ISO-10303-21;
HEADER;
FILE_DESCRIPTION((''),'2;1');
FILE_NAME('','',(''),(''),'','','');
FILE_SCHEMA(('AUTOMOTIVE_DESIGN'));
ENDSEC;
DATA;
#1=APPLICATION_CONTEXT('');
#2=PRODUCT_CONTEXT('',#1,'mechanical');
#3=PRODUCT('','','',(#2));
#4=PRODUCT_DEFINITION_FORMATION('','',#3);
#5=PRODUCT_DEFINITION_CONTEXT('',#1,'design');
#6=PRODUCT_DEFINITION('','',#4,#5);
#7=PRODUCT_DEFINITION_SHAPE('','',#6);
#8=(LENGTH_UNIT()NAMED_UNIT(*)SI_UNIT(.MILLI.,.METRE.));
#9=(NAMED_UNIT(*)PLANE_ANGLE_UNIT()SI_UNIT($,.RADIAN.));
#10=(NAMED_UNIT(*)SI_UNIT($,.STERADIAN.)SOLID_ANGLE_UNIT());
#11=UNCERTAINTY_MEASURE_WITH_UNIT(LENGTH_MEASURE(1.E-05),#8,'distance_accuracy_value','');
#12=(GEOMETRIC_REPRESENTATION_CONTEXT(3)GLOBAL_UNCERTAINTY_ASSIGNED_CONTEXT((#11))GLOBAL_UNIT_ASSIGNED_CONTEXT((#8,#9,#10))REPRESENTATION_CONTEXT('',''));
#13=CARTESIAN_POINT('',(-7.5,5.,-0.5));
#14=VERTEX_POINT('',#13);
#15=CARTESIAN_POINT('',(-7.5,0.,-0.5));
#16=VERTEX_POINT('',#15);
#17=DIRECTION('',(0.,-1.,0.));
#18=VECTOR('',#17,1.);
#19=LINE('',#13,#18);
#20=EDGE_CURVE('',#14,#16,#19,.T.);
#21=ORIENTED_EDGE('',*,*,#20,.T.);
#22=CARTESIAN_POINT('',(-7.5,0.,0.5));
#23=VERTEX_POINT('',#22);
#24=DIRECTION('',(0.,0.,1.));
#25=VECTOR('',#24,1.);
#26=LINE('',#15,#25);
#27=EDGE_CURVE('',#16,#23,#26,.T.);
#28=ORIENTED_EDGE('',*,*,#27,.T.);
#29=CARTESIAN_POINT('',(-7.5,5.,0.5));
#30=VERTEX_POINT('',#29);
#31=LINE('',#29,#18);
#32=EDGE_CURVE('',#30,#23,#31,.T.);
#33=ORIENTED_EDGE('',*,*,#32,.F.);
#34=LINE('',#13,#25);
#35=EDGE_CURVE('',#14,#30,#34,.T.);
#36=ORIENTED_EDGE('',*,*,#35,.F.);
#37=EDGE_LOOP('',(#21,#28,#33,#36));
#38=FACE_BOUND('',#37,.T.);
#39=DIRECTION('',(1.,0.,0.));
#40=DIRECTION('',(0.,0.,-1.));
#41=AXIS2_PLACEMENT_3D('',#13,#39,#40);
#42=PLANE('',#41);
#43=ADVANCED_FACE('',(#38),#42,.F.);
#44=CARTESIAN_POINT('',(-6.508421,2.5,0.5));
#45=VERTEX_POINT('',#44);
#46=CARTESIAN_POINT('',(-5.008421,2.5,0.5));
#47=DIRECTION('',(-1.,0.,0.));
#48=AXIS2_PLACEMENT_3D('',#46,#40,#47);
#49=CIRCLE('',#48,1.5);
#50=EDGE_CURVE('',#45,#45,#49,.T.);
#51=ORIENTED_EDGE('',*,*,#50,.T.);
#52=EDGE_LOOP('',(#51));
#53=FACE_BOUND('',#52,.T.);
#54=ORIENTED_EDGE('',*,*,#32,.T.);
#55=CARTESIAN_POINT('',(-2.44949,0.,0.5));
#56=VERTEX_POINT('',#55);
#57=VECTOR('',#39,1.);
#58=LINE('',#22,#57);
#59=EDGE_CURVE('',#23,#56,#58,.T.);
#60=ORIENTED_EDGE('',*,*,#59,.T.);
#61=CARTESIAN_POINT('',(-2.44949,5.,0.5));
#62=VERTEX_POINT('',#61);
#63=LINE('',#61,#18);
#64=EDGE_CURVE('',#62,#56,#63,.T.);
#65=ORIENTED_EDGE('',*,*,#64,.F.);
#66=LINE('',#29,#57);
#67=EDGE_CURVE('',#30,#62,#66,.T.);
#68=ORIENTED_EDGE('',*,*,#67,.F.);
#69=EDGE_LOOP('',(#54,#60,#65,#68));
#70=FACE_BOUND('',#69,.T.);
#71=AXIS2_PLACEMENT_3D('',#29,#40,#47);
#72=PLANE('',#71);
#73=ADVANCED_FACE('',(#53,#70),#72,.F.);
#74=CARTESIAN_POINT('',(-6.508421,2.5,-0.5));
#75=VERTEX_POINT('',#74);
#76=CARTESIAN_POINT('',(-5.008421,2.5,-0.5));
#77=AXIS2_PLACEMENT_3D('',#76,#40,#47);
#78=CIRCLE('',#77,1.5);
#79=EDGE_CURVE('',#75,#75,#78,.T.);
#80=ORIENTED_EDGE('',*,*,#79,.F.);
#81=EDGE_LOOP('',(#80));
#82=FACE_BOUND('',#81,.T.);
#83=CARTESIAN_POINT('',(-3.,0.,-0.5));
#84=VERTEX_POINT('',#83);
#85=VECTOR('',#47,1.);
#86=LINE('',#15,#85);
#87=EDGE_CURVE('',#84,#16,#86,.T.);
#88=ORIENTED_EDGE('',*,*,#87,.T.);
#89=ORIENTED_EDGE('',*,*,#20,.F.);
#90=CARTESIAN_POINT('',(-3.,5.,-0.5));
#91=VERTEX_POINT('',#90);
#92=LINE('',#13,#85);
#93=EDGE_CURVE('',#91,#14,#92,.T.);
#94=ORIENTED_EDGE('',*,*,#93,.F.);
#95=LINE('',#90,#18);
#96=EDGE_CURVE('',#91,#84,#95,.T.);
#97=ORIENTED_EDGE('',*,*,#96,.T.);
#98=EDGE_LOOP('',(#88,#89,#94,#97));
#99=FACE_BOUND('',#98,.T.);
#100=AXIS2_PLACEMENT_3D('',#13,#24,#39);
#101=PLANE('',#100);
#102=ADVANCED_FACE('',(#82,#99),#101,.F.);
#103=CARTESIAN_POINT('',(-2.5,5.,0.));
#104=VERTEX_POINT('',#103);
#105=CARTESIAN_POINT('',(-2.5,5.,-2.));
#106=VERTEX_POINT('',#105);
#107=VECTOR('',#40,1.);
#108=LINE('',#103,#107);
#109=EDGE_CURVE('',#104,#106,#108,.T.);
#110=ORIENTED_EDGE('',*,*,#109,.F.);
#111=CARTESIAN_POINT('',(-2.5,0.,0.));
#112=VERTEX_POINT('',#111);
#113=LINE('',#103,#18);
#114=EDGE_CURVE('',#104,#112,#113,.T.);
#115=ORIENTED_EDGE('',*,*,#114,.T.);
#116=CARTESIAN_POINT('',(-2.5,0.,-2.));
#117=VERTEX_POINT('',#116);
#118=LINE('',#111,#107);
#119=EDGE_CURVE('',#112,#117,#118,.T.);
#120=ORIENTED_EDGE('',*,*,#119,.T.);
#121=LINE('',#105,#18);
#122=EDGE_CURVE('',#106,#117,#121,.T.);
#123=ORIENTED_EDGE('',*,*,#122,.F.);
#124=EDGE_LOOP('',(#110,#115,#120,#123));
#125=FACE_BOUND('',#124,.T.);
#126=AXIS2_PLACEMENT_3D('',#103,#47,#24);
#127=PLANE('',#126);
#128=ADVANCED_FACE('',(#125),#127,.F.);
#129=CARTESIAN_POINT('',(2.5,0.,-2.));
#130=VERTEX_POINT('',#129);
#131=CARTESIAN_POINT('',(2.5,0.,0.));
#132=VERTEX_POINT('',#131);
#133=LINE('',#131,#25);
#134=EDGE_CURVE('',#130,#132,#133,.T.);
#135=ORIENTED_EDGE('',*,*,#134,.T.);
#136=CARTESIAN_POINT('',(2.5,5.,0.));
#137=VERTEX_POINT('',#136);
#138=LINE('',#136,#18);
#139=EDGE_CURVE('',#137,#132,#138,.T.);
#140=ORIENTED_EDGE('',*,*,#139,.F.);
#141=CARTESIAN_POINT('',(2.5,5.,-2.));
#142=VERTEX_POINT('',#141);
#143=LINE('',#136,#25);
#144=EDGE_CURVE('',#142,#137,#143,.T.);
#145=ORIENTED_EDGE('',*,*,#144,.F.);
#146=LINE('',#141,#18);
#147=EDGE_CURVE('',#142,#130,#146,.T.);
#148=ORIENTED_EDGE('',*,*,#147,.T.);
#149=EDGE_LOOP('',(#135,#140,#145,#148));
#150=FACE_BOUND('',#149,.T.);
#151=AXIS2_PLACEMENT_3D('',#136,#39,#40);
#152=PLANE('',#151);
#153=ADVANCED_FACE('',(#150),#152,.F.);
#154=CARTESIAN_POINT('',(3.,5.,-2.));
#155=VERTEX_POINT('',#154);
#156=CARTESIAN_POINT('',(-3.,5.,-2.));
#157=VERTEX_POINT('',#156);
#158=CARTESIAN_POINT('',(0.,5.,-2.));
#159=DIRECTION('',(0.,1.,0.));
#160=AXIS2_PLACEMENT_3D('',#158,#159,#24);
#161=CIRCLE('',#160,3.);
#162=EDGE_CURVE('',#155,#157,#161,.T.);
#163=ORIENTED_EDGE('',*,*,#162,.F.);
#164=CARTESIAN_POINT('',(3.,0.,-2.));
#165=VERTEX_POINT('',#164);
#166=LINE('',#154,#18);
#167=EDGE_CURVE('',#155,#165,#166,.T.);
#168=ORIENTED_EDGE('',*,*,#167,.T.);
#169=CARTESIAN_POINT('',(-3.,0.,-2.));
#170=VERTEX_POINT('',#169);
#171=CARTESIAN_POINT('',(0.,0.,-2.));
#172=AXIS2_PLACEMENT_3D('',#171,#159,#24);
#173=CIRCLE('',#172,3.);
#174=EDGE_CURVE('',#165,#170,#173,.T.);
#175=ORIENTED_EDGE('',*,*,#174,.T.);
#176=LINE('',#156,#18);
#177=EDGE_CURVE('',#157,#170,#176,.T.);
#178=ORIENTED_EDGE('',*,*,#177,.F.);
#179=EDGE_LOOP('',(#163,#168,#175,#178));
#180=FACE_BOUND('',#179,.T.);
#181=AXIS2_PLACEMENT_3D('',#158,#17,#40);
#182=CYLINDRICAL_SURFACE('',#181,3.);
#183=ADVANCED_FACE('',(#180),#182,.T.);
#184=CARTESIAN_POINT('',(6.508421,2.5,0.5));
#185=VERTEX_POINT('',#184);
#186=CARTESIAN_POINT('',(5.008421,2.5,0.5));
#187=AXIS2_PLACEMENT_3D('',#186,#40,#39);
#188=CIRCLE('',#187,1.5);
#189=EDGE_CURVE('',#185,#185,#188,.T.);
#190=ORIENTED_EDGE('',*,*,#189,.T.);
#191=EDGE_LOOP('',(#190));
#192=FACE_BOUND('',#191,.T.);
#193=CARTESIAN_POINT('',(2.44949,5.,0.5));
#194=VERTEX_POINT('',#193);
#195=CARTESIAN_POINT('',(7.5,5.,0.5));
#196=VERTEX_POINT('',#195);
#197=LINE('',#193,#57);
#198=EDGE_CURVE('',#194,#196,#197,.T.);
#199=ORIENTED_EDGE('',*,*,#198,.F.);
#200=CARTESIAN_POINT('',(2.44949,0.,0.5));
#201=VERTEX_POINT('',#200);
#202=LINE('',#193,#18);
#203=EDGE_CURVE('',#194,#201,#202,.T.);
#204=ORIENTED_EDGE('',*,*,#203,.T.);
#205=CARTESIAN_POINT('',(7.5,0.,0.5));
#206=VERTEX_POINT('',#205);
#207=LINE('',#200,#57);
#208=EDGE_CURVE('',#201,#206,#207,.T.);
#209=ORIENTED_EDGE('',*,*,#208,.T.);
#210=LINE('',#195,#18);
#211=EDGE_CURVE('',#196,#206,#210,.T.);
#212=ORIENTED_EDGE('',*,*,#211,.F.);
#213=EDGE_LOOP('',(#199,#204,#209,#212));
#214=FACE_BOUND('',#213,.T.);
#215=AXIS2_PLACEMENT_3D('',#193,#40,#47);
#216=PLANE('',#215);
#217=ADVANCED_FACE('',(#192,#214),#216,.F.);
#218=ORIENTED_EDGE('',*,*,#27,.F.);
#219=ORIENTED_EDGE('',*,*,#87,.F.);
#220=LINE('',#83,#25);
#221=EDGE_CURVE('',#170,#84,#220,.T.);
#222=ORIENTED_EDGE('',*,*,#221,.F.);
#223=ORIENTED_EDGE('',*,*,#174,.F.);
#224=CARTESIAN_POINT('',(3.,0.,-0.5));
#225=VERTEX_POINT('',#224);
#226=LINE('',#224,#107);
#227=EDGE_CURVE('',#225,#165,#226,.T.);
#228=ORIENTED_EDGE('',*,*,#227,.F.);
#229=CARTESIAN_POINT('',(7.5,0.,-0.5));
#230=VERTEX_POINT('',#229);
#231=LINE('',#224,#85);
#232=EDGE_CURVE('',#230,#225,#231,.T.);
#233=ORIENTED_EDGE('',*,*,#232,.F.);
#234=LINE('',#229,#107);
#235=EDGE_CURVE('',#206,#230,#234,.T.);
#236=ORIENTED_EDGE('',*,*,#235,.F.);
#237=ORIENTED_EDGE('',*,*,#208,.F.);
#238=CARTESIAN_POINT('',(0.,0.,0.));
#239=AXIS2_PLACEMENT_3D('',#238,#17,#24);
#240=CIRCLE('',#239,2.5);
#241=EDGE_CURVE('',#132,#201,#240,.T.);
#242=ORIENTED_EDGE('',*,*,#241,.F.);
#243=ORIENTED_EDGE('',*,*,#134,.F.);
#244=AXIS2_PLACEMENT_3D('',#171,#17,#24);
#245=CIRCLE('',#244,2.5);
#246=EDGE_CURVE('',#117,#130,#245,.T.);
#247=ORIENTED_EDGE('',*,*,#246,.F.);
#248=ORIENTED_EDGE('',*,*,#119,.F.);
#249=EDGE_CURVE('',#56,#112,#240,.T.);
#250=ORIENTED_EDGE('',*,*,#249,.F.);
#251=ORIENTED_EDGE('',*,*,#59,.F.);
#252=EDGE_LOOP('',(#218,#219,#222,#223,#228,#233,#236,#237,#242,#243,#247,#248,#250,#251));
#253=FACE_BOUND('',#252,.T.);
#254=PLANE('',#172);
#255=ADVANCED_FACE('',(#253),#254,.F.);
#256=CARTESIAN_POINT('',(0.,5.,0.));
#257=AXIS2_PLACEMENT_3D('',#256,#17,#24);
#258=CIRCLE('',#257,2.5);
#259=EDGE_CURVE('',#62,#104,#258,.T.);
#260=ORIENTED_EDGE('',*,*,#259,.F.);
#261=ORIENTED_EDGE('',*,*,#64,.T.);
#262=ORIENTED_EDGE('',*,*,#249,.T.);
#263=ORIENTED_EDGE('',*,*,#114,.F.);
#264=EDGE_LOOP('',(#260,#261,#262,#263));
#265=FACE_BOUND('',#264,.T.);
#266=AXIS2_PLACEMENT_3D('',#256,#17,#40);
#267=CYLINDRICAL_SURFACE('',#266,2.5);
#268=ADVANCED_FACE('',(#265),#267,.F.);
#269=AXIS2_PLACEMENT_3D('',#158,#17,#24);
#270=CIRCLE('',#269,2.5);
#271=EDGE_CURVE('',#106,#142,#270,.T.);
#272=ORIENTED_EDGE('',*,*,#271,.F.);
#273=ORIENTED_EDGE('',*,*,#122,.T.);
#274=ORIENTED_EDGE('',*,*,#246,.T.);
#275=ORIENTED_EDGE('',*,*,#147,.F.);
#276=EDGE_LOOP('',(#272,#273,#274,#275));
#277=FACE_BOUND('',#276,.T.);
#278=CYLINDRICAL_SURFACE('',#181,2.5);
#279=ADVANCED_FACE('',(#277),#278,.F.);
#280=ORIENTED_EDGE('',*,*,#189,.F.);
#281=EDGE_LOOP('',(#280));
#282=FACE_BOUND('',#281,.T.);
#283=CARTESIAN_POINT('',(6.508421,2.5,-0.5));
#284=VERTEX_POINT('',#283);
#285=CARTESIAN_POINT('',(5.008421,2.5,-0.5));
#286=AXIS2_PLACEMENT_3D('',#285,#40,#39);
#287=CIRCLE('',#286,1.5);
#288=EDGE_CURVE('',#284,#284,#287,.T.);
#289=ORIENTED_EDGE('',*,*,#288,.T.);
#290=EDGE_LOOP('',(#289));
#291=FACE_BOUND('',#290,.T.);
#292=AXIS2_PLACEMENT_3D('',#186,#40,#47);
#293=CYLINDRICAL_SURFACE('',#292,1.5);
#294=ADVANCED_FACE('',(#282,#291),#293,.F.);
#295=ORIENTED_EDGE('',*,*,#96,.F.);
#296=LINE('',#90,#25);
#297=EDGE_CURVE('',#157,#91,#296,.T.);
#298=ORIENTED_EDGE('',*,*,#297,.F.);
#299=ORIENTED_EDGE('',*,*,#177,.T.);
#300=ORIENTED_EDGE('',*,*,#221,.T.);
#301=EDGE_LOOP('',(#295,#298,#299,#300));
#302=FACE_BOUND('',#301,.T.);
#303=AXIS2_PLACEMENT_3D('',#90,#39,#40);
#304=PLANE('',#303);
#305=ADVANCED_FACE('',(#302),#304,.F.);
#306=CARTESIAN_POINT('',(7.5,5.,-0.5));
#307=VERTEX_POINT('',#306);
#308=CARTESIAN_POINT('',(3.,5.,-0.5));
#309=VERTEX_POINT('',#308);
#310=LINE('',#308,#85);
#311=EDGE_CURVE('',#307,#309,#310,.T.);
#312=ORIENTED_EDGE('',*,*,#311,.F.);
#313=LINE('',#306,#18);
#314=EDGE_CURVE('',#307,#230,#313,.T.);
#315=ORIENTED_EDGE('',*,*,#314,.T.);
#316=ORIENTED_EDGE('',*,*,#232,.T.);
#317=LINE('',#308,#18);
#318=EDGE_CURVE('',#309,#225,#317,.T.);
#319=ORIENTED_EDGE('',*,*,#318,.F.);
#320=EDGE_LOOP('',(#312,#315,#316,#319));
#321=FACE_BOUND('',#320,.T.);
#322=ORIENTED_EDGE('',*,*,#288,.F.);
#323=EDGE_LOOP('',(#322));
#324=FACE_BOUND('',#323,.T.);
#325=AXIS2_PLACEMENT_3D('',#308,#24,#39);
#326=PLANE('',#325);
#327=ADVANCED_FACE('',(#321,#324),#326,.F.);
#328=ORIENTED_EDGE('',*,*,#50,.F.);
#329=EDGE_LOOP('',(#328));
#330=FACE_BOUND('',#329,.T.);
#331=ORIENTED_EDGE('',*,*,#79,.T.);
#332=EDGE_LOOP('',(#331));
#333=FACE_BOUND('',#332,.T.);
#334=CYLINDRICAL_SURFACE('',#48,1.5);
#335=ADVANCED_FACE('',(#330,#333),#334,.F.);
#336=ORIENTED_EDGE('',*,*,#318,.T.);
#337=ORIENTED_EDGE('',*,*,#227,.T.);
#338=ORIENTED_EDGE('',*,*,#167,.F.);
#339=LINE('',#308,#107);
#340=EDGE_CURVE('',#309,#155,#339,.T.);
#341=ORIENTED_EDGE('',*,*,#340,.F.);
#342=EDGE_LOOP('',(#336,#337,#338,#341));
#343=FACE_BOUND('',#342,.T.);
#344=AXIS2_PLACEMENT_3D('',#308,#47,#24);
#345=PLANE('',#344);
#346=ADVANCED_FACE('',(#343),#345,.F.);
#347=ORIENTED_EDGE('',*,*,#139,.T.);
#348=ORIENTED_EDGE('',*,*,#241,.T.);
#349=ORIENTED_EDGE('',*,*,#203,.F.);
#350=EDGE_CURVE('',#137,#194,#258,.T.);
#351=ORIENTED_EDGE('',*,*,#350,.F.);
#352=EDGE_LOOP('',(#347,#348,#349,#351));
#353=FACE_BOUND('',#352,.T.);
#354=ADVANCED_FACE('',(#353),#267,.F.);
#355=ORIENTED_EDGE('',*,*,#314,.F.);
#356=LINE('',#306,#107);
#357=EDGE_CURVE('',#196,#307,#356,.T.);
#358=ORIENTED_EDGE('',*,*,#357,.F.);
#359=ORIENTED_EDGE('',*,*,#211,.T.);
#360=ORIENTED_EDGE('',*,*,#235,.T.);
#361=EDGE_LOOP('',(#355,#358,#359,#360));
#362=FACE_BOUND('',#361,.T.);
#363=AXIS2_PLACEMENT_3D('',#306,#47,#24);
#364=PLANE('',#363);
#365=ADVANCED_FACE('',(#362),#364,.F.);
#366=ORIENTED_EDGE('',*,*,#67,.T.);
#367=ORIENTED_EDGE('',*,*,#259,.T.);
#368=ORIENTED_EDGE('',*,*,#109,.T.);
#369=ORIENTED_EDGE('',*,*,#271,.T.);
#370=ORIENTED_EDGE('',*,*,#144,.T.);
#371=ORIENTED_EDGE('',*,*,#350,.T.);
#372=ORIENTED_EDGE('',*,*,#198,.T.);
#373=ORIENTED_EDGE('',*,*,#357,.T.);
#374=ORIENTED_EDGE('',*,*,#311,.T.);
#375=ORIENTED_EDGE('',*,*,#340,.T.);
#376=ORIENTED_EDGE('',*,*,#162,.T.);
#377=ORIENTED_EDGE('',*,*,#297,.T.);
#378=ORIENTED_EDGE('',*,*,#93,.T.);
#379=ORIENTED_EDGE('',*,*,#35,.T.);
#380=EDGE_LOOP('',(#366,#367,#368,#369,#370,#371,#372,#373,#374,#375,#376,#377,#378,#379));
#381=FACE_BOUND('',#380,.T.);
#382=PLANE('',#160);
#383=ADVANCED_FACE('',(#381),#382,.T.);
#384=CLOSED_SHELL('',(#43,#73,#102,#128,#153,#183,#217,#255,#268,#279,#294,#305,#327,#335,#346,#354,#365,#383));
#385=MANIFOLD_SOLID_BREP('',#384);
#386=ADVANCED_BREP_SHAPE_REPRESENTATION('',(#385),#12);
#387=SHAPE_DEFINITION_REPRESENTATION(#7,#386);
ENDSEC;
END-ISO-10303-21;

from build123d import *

# Parameters (mm, degrees)
BOSS_EXTRUDE1_DEPTH = 5
SKETCH2_R           = 1.5
CUT_EXTRUDE1_DEPTH  = 11.07472084


with BuildPart() as part:
    # Sketch1 → Boss-Extrude1 (new body)
    with BuildSketch(Plane(origin=(0, 0, 0), x_dir=(1, 0, 0), z_dir=(0, 1, 0))):
        with BuildLine():
            Line((-3, 0.5), (-3, 2))
            ThreePointArc((-3, 2), (0, 5), (3, 2))
            Line((3, 2), (3, 0.5))
            Line((3, 0.5), (7.5, 0.5))
            Line((7.5, 0.5), (7.5, -0.5))
            Line((7.5, -0.5), (2.449489743, -0.5))
            ThreePointArc((2.449489743, -0.5), (2.487340383, -0.251272405), (2.5, 0))
            Line((2.5, 0), (2.5, 2))
            ThreePointArc((2.5, 2), (0, 4.5), (-2.5, 2))
            Line((-2.5, 2), (-2.5, 0))
            ThreePointArc((-2.5, 0), (-2.487340383, -0.251272405), (-2.449489743, -0.5))
            Line((-2.449489743, -0.5), (-7.5, -0.5))
            Line((-7.5, -0.5), (-7.5, 0.5))
            Line((-7.5, 0.5), (-3, 0.5))
        make_face()
    extrude(amount=BOSS_EXTRUDE1_DEPTH)

    # Sketch2 → Cut-Extrude1 (cut, through all)
    with BuildSketch(Plane(origin=(0, 0, -0.5), x_dir=(-1, 0, 0), z_dir=(0, 0, -1))):
        with Locations((5.008421406, 2.5)):
            Circle(SKETCH2_R)
        with Locations(Location((-5.008421406, 2.5, 0), (0, 0, 180))):
            Circle(SKETCH2_R)
    extrude(amount=-CUT_EXTRUDE1_DEPTH, mode=Mode.SUBTRACT)


solid = part.part
